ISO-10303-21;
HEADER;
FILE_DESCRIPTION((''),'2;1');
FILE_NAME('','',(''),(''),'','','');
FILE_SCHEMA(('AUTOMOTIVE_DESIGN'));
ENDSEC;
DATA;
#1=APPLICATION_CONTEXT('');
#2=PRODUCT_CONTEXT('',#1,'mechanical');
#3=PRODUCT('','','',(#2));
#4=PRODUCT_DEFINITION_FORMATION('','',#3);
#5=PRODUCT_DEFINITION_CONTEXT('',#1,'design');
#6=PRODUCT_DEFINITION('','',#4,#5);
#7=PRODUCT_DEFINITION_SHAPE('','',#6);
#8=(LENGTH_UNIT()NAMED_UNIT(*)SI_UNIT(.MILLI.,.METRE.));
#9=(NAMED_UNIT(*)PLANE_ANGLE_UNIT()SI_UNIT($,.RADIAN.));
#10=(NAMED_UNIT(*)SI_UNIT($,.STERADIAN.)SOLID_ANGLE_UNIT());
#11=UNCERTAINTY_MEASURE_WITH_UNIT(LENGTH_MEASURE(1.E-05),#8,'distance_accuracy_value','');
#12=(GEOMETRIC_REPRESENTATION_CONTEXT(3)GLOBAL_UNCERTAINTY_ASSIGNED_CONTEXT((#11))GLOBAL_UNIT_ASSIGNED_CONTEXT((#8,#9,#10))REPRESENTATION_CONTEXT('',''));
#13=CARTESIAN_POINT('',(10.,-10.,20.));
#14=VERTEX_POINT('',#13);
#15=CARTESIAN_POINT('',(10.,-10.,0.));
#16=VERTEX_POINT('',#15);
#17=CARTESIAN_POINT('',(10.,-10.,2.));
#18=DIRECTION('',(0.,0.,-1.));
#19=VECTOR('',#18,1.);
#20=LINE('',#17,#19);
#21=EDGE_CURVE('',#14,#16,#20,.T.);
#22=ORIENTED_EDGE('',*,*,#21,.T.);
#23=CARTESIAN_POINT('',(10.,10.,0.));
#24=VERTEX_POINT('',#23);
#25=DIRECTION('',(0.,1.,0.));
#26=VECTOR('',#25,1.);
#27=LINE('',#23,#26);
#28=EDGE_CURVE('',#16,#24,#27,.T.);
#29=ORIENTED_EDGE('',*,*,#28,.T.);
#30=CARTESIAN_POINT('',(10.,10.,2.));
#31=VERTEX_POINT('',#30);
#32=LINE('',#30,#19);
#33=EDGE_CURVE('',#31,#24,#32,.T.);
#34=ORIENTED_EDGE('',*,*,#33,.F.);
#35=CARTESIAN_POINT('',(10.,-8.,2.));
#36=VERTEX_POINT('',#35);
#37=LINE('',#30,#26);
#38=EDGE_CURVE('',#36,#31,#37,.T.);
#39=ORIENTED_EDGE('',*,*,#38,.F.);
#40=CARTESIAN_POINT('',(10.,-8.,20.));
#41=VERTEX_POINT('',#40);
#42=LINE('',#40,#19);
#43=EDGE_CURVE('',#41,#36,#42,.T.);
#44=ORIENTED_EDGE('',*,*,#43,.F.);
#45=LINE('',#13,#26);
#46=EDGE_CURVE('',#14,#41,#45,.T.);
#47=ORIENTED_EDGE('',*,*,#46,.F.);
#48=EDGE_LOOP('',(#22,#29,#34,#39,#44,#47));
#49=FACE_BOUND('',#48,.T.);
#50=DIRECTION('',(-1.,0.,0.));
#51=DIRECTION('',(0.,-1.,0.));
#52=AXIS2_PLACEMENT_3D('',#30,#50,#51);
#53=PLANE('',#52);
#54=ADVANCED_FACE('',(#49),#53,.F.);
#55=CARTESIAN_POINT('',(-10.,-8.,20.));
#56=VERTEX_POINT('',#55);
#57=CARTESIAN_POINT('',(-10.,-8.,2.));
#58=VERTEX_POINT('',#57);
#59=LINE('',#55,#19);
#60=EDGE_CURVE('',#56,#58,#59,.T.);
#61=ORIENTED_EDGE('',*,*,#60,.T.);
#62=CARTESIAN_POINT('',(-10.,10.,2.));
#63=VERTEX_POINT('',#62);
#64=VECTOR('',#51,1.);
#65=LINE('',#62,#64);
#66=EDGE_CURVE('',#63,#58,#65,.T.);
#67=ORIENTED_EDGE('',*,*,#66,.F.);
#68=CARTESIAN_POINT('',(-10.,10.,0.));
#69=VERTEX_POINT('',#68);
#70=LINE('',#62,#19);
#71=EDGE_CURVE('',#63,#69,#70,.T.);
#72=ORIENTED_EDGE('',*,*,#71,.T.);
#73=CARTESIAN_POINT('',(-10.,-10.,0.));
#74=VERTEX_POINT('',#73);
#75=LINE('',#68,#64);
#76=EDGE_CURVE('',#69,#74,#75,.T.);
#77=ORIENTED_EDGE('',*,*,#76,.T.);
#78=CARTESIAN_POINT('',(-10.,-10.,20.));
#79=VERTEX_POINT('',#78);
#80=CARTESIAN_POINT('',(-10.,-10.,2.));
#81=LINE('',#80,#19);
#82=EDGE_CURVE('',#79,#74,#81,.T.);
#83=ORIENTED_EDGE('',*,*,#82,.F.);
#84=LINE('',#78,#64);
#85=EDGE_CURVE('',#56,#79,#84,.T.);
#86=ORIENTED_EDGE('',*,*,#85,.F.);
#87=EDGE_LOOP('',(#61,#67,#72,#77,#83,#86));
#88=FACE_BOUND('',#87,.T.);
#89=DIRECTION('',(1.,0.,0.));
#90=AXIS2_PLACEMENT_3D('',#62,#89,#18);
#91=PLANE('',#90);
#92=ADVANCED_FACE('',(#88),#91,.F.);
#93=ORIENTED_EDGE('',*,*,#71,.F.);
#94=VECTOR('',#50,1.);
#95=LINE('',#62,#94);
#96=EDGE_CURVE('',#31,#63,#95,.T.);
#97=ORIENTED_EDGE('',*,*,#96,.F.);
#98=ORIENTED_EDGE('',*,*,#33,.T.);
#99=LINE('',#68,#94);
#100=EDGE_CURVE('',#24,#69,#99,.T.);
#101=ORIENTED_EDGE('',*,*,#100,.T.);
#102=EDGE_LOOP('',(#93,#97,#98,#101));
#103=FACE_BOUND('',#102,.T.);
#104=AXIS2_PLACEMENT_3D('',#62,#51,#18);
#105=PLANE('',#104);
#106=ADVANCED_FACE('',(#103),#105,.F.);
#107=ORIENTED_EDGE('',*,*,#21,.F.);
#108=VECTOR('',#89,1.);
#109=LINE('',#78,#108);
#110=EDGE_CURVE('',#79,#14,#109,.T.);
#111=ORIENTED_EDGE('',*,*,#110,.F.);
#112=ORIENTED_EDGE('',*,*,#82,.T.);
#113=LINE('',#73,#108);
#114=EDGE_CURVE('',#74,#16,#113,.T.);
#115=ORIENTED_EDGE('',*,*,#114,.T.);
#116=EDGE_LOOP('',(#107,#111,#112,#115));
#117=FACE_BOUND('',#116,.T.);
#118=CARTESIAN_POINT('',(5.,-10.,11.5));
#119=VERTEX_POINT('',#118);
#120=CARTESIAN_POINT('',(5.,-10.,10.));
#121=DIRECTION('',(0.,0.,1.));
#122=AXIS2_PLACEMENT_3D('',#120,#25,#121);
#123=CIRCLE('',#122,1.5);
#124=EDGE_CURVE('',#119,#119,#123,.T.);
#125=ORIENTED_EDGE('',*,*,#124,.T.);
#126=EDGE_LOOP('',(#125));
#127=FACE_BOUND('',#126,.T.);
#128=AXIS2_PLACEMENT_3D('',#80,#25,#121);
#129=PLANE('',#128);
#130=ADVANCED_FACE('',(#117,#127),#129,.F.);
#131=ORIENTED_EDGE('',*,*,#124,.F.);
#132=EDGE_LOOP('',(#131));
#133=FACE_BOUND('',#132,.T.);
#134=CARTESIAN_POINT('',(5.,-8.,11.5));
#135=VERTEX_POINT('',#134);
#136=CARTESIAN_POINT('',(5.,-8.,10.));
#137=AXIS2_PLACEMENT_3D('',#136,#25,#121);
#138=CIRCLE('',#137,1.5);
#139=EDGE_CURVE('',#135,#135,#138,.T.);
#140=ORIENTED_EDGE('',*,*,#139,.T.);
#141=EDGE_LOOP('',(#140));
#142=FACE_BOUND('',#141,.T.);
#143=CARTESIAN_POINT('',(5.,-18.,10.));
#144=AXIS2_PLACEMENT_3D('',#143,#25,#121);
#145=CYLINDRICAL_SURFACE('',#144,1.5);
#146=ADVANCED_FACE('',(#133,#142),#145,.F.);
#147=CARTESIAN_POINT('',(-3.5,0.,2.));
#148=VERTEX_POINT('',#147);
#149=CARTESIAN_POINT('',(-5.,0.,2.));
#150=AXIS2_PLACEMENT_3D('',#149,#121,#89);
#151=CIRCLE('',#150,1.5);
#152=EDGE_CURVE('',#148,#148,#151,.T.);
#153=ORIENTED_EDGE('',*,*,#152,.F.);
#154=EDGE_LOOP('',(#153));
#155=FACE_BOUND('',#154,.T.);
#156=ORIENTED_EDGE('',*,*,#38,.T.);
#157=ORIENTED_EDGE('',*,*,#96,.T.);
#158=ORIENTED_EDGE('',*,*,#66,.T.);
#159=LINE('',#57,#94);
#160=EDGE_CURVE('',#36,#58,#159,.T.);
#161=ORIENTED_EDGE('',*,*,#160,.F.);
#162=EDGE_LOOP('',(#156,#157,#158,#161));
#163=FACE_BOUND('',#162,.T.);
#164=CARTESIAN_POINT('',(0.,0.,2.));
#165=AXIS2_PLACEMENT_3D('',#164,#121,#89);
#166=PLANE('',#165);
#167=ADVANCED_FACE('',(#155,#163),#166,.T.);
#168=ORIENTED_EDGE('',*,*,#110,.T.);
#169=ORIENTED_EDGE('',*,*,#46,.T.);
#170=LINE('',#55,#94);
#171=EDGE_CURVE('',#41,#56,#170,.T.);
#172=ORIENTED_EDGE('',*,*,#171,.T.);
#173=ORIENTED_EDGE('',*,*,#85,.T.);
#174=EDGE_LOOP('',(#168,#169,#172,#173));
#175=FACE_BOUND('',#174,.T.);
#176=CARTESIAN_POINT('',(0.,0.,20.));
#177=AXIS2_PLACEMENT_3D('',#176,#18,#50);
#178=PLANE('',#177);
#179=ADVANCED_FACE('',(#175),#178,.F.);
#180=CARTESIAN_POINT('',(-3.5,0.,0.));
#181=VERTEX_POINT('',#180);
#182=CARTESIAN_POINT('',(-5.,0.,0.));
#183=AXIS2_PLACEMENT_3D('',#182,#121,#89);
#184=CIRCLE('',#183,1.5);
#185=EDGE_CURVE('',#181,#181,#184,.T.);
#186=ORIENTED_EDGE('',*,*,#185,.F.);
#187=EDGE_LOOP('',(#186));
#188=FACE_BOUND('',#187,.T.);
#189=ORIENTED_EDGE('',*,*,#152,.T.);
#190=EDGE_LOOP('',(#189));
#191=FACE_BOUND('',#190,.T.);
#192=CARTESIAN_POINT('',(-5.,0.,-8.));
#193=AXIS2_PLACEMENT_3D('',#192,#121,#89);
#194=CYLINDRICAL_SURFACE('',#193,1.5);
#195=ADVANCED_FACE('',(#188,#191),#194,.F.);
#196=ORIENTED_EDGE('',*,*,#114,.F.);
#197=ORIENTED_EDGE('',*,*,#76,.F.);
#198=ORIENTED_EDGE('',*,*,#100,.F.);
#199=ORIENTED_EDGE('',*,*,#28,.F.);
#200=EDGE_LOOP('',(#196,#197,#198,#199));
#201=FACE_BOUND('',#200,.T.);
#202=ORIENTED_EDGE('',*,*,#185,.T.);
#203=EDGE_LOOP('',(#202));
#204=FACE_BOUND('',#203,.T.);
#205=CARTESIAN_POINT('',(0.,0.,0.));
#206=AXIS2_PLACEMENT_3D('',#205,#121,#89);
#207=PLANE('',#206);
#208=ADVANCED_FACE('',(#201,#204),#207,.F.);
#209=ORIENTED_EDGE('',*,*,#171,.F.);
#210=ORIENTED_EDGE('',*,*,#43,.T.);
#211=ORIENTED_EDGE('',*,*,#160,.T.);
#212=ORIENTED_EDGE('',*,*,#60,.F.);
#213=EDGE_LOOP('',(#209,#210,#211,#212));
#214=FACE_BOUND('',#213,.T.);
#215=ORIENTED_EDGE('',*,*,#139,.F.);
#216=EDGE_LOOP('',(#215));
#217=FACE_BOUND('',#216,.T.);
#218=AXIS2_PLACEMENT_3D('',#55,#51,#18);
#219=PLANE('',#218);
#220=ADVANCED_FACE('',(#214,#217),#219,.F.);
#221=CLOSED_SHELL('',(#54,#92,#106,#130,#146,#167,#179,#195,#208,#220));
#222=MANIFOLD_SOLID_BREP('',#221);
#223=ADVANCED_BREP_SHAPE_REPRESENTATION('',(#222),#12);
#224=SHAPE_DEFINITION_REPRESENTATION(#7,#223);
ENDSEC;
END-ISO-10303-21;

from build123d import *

# Parameters (mm, degrees)
SKETCH_1_W          = 20
SKETCH_1_H          = 20
EXTRUDE_1_DEPTH     = 2
SKETCH_2_W          = 20
SKETCH_2_H          = 2
EXTRUDE_2_DEPTH     = 18
SKETCH_3_R          = 1.5
CUT_EXTRUDE_1_DEPTH = 10
SKETCH_4_R          = 1.5
CUT_EXTRUDE_2_DEPTH = 10


with BuildPart() as part:
    # 草图1 → 凸台-拉伸1 (new body)
    with BuildSketch(Plane.XY):
        Rectangle(SKETCH_1_W, SKETCH_1_H)
    extrude(amount=EXTRUDE_1_DEPTH)

    # 草图2 → 凸台-拉伸2 (add)
    with BuildSketch(Plane.XY.offset(2)):
        with Locations((0, -9)):
            Rectangle(SKETCH_2_W, SKETCH_2_H)
    extrude(amount=EXTRUDE_2_DEPTH)

    # 草图3 → 切除-拉伸1 (cut)
    with BuildSketch(Plane.XY.offset(2)):
        with Locations((-5, 0)):
            Circle(SKETCH_3_R)
    extrude(amount=-CUT_EXTRUDE_1_DEPTH, mode=Mode.SUBTRACT)

    # 草图4 → 切除-拉伸2 (cut)
    with BuildSketch(Plane(origin=(0, -8, 0), x_dir=(1, 0, 0), z_dir=(0, 1, 0))):
        with Locations(Location((5, -10, 0), (0, 0, 270))):
            Circle(SKETCH_4_R)
    extrude(amount=-CUT_EXTRUDE_2_DEPTH, mode=Mode.SUBTRACT)


solid = part.part
